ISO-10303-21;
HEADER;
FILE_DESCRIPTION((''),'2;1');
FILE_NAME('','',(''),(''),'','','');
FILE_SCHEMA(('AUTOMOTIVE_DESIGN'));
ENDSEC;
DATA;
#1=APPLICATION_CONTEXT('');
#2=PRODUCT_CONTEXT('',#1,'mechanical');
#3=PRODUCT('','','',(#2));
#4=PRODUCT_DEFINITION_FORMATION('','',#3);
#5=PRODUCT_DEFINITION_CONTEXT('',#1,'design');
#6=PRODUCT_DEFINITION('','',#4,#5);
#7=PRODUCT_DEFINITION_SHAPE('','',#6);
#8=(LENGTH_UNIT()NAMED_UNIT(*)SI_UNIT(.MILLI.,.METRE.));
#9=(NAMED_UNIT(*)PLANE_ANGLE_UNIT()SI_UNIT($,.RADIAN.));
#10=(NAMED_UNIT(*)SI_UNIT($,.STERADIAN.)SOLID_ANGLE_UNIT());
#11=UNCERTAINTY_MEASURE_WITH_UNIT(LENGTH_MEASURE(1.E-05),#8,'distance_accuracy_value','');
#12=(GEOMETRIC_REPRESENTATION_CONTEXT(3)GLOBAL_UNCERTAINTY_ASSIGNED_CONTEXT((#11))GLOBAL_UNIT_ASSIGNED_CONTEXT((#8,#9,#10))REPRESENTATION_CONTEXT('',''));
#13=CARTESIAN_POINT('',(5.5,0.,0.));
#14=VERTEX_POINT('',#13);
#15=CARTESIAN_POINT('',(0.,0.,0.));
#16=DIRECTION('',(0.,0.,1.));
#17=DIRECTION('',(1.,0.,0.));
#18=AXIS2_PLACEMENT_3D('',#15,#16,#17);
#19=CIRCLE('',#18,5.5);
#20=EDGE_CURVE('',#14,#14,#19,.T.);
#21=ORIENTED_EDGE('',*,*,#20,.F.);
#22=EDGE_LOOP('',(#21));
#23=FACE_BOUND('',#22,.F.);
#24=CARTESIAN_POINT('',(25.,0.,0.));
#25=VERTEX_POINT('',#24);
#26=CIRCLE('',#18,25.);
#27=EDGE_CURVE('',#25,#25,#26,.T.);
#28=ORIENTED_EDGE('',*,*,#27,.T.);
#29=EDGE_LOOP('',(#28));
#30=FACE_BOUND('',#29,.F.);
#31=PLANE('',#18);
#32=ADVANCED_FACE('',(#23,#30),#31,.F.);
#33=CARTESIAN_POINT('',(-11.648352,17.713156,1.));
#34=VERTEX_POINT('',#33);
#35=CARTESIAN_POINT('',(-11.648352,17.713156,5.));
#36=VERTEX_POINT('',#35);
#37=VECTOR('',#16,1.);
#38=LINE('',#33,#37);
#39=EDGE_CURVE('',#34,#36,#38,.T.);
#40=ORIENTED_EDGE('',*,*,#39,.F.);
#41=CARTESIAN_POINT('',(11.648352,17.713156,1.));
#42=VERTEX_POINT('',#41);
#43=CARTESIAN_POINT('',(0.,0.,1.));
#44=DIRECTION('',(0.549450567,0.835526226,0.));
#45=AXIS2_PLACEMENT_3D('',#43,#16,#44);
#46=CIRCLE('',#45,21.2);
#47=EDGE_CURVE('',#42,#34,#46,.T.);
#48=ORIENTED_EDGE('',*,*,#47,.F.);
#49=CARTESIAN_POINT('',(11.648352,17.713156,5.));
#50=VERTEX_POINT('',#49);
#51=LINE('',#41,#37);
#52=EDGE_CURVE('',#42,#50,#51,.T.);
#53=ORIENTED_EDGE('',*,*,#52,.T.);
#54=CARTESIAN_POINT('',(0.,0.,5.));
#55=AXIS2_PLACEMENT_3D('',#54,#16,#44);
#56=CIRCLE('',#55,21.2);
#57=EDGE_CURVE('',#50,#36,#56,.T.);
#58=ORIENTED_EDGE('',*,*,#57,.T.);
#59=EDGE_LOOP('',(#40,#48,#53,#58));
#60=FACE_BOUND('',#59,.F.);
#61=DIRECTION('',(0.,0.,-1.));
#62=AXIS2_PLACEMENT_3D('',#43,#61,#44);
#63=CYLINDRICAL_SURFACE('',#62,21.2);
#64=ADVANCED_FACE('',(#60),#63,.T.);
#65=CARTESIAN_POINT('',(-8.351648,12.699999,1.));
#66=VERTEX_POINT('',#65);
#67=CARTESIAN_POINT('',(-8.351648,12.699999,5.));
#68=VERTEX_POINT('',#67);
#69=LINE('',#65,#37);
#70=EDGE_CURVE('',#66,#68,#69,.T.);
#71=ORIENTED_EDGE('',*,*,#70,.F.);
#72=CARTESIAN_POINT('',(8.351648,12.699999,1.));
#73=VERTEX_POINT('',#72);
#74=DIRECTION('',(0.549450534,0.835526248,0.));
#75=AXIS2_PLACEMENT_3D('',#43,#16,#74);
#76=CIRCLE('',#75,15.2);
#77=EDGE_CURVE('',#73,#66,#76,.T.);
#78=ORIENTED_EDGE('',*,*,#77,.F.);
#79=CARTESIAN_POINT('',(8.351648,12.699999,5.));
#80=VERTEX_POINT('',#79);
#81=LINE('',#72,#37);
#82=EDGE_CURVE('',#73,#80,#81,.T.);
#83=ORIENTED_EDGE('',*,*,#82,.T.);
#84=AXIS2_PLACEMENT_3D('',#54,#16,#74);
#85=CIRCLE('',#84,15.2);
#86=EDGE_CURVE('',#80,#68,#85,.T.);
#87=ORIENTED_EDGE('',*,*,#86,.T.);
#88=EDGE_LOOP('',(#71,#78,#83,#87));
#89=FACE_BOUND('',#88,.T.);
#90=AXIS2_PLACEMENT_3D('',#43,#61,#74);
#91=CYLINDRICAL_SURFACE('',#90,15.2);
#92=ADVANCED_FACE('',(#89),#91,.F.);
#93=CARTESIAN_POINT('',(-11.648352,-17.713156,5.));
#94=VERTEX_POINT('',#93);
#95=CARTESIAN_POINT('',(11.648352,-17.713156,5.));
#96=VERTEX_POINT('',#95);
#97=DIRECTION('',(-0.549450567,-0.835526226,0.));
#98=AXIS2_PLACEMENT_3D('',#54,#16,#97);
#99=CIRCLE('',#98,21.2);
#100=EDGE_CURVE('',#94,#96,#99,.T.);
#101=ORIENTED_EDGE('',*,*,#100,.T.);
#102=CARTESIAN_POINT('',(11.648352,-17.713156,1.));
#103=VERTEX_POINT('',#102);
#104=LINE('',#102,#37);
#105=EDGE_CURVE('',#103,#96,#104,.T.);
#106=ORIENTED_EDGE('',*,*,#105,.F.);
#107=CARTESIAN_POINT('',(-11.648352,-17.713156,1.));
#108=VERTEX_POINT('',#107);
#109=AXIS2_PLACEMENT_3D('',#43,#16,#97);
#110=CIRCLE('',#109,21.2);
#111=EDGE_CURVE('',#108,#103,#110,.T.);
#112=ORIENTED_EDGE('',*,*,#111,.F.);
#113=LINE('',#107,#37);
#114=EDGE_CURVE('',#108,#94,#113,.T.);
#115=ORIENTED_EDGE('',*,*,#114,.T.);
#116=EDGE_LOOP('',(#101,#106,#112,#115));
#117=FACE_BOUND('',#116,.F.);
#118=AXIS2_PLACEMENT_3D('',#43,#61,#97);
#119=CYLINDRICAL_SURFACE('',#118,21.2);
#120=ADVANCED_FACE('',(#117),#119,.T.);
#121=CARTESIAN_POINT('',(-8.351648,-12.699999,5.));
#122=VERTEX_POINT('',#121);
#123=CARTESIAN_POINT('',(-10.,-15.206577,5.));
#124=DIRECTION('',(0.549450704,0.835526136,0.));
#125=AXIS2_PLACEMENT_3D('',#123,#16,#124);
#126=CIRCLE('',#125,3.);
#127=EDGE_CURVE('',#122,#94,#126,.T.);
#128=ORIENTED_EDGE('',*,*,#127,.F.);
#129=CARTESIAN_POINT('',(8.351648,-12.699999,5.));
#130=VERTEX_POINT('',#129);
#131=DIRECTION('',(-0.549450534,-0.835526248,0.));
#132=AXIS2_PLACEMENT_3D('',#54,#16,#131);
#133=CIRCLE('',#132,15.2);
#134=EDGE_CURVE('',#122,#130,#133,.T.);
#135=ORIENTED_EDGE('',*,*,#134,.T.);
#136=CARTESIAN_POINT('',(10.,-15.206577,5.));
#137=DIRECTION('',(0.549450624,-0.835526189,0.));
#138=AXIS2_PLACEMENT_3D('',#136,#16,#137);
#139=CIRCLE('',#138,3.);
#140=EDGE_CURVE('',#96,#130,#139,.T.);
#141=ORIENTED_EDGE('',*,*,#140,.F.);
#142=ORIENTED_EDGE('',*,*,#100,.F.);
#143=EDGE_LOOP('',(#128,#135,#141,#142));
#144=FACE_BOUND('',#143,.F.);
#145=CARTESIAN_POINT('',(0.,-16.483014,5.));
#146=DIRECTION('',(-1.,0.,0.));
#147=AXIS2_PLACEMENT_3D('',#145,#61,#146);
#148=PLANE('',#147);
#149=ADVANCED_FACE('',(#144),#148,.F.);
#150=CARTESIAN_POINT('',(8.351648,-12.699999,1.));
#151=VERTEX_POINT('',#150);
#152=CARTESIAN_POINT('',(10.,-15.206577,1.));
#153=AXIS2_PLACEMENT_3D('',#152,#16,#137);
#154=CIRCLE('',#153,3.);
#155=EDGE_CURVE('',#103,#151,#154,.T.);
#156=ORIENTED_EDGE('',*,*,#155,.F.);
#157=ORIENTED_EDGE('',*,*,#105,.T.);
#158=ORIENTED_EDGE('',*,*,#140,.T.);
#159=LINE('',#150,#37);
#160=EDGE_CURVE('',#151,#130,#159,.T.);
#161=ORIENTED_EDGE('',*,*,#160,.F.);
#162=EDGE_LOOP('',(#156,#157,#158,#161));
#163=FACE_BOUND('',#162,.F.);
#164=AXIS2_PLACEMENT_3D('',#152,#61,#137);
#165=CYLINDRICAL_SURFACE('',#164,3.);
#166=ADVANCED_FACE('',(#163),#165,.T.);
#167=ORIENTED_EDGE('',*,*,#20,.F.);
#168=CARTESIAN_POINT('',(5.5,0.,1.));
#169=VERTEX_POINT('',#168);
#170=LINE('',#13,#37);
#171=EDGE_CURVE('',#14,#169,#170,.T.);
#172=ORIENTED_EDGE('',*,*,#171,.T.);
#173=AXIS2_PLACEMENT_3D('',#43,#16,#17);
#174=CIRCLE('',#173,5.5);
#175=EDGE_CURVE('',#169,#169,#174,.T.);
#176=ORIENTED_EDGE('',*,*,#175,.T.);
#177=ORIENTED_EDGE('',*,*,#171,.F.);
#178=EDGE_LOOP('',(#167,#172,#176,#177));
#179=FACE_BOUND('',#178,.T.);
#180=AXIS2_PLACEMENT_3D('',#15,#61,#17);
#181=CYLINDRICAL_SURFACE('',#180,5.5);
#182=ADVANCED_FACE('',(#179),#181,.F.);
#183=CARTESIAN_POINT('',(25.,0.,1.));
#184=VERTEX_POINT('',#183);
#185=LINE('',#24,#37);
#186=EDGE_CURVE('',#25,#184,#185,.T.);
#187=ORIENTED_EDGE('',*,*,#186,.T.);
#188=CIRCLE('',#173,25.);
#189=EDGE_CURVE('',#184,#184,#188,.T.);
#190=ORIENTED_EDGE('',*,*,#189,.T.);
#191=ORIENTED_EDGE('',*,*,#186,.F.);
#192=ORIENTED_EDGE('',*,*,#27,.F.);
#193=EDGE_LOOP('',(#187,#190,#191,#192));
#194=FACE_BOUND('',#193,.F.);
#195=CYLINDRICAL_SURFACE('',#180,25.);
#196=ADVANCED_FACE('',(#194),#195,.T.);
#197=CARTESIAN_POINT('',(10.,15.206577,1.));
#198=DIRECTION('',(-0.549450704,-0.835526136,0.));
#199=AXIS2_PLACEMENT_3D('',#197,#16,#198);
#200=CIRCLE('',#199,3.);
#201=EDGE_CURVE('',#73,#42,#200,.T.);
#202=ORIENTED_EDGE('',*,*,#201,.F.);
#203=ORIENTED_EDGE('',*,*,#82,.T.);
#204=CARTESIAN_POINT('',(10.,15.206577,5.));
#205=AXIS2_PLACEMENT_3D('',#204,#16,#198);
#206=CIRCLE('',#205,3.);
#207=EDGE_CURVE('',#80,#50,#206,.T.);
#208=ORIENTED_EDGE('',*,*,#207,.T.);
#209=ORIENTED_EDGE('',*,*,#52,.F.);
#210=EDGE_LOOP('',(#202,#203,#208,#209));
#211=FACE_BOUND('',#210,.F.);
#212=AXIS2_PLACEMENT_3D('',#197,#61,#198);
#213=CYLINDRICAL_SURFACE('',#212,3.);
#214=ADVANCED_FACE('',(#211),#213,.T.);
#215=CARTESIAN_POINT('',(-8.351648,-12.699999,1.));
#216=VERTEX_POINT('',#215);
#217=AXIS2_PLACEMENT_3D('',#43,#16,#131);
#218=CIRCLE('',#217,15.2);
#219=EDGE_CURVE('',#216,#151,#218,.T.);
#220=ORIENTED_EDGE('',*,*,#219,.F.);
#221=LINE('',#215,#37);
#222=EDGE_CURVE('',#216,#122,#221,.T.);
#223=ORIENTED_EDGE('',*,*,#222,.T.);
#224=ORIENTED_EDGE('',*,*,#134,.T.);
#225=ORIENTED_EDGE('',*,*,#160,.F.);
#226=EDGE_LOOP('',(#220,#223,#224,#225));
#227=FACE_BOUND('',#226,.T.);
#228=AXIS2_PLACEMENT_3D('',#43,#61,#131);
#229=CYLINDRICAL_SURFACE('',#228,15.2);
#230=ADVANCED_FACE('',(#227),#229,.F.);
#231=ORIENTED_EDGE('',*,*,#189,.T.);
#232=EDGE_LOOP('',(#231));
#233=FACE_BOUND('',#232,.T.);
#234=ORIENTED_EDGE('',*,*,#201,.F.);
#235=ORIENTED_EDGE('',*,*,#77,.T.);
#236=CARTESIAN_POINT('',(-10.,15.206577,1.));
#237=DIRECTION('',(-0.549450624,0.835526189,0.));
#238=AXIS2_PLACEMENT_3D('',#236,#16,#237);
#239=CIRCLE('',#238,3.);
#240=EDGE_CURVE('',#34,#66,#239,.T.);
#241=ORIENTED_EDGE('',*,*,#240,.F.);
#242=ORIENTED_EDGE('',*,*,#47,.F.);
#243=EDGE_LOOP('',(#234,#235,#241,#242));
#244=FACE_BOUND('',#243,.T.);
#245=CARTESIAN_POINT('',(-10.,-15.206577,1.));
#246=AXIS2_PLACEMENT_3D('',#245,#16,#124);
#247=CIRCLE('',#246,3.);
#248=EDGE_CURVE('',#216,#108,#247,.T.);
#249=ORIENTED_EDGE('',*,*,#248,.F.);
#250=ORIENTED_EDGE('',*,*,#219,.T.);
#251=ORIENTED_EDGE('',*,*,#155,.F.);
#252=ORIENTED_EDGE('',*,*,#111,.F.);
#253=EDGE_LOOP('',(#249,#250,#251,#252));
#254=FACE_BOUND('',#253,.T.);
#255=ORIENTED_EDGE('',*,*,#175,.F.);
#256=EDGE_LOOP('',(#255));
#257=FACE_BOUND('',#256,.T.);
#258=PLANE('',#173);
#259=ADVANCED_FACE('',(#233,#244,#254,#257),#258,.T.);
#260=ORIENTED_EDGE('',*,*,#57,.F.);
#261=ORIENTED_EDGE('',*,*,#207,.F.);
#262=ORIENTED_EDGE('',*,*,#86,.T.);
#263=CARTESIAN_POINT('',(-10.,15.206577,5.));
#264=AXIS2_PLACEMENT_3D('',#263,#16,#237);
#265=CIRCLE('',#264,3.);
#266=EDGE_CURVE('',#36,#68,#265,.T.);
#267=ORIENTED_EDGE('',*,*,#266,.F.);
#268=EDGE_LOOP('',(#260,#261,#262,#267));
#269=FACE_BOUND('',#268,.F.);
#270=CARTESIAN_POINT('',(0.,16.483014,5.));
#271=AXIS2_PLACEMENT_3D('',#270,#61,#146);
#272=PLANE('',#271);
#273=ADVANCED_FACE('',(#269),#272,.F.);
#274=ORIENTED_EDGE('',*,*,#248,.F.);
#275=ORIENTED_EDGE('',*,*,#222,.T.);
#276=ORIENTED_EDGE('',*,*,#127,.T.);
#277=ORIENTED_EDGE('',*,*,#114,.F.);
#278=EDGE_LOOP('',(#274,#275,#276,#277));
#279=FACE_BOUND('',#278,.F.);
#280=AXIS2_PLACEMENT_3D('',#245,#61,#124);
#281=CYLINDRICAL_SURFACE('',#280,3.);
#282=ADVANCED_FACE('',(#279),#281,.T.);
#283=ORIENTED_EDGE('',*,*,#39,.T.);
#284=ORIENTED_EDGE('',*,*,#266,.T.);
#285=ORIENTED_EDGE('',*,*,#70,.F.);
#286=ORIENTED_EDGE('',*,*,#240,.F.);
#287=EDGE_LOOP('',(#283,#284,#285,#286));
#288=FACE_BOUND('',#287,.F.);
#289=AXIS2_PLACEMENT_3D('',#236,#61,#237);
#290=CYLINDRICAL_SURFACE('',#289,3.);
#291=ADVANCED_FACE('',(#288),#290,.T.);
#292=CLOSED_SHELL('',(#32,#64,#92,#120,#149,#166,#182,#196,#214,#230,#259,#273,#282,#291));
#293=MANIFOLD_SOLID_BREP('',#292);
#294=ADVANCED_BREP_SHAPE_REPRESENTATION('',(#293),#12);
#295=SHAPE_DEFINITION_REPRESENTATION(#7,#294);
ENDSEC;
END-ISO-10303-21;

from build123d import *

# Parameters (mm, degrees)
SKETCH002_R   = 25
SKETCH002_R_2 = 5.5
PAD_DEPTH     = 1
PAD001_DEPTH  = 4


with BuildPart() as part:
    # Sketch002 → Pad (new body)
    with BuildSketch(Plane.XY):
        Circle(SKETCH002_R)
        Circle(SKETCH002_R_2, mode=Mode.SUBTRACT)
    extrude(amount=PAD_DEPTH)

    # Sketch001 → Pad001 (join)
    with BuildSketch(Plane.XY.offset(1)):
        with BuildLine():
            ThreePointArc((8.351648, 12.699999), (0, 15.2), (-8.351648, 12.699999))
            ThreePointArc((-11.648352, 17.713156), (-12.506579, 13.558226), (-8.351648, 12.699999))
            ThreePointArc((11.648352, 17.713156), (0, 21.2), (-11.648352, 17.713156))
            ThreePointArc((8.351648, 12.699999), (12.506579, 13.558226), (11.648352, 17.713156))
        make_face()
        with BuildLine():
            ThreePointArc((-8.351648, -12.699999), (0, -15.2), (8.351648, -12.699999))
            ThreePointArc((11.648352, -17.713156), (12.506579, -13.558226), (8.351648, -12.699999))
            ThreePointArc((-11.648352, -17.713156), (0, -21.2), (11.648352, -17.713156))
            ThreePointArc((-8.351648, -12.699999), (-12.506579, -13.558226), (-11.648352, -17.713156))
        make_face()
    extrude(amount=PAD001_DEPTH)


solid = part.part
